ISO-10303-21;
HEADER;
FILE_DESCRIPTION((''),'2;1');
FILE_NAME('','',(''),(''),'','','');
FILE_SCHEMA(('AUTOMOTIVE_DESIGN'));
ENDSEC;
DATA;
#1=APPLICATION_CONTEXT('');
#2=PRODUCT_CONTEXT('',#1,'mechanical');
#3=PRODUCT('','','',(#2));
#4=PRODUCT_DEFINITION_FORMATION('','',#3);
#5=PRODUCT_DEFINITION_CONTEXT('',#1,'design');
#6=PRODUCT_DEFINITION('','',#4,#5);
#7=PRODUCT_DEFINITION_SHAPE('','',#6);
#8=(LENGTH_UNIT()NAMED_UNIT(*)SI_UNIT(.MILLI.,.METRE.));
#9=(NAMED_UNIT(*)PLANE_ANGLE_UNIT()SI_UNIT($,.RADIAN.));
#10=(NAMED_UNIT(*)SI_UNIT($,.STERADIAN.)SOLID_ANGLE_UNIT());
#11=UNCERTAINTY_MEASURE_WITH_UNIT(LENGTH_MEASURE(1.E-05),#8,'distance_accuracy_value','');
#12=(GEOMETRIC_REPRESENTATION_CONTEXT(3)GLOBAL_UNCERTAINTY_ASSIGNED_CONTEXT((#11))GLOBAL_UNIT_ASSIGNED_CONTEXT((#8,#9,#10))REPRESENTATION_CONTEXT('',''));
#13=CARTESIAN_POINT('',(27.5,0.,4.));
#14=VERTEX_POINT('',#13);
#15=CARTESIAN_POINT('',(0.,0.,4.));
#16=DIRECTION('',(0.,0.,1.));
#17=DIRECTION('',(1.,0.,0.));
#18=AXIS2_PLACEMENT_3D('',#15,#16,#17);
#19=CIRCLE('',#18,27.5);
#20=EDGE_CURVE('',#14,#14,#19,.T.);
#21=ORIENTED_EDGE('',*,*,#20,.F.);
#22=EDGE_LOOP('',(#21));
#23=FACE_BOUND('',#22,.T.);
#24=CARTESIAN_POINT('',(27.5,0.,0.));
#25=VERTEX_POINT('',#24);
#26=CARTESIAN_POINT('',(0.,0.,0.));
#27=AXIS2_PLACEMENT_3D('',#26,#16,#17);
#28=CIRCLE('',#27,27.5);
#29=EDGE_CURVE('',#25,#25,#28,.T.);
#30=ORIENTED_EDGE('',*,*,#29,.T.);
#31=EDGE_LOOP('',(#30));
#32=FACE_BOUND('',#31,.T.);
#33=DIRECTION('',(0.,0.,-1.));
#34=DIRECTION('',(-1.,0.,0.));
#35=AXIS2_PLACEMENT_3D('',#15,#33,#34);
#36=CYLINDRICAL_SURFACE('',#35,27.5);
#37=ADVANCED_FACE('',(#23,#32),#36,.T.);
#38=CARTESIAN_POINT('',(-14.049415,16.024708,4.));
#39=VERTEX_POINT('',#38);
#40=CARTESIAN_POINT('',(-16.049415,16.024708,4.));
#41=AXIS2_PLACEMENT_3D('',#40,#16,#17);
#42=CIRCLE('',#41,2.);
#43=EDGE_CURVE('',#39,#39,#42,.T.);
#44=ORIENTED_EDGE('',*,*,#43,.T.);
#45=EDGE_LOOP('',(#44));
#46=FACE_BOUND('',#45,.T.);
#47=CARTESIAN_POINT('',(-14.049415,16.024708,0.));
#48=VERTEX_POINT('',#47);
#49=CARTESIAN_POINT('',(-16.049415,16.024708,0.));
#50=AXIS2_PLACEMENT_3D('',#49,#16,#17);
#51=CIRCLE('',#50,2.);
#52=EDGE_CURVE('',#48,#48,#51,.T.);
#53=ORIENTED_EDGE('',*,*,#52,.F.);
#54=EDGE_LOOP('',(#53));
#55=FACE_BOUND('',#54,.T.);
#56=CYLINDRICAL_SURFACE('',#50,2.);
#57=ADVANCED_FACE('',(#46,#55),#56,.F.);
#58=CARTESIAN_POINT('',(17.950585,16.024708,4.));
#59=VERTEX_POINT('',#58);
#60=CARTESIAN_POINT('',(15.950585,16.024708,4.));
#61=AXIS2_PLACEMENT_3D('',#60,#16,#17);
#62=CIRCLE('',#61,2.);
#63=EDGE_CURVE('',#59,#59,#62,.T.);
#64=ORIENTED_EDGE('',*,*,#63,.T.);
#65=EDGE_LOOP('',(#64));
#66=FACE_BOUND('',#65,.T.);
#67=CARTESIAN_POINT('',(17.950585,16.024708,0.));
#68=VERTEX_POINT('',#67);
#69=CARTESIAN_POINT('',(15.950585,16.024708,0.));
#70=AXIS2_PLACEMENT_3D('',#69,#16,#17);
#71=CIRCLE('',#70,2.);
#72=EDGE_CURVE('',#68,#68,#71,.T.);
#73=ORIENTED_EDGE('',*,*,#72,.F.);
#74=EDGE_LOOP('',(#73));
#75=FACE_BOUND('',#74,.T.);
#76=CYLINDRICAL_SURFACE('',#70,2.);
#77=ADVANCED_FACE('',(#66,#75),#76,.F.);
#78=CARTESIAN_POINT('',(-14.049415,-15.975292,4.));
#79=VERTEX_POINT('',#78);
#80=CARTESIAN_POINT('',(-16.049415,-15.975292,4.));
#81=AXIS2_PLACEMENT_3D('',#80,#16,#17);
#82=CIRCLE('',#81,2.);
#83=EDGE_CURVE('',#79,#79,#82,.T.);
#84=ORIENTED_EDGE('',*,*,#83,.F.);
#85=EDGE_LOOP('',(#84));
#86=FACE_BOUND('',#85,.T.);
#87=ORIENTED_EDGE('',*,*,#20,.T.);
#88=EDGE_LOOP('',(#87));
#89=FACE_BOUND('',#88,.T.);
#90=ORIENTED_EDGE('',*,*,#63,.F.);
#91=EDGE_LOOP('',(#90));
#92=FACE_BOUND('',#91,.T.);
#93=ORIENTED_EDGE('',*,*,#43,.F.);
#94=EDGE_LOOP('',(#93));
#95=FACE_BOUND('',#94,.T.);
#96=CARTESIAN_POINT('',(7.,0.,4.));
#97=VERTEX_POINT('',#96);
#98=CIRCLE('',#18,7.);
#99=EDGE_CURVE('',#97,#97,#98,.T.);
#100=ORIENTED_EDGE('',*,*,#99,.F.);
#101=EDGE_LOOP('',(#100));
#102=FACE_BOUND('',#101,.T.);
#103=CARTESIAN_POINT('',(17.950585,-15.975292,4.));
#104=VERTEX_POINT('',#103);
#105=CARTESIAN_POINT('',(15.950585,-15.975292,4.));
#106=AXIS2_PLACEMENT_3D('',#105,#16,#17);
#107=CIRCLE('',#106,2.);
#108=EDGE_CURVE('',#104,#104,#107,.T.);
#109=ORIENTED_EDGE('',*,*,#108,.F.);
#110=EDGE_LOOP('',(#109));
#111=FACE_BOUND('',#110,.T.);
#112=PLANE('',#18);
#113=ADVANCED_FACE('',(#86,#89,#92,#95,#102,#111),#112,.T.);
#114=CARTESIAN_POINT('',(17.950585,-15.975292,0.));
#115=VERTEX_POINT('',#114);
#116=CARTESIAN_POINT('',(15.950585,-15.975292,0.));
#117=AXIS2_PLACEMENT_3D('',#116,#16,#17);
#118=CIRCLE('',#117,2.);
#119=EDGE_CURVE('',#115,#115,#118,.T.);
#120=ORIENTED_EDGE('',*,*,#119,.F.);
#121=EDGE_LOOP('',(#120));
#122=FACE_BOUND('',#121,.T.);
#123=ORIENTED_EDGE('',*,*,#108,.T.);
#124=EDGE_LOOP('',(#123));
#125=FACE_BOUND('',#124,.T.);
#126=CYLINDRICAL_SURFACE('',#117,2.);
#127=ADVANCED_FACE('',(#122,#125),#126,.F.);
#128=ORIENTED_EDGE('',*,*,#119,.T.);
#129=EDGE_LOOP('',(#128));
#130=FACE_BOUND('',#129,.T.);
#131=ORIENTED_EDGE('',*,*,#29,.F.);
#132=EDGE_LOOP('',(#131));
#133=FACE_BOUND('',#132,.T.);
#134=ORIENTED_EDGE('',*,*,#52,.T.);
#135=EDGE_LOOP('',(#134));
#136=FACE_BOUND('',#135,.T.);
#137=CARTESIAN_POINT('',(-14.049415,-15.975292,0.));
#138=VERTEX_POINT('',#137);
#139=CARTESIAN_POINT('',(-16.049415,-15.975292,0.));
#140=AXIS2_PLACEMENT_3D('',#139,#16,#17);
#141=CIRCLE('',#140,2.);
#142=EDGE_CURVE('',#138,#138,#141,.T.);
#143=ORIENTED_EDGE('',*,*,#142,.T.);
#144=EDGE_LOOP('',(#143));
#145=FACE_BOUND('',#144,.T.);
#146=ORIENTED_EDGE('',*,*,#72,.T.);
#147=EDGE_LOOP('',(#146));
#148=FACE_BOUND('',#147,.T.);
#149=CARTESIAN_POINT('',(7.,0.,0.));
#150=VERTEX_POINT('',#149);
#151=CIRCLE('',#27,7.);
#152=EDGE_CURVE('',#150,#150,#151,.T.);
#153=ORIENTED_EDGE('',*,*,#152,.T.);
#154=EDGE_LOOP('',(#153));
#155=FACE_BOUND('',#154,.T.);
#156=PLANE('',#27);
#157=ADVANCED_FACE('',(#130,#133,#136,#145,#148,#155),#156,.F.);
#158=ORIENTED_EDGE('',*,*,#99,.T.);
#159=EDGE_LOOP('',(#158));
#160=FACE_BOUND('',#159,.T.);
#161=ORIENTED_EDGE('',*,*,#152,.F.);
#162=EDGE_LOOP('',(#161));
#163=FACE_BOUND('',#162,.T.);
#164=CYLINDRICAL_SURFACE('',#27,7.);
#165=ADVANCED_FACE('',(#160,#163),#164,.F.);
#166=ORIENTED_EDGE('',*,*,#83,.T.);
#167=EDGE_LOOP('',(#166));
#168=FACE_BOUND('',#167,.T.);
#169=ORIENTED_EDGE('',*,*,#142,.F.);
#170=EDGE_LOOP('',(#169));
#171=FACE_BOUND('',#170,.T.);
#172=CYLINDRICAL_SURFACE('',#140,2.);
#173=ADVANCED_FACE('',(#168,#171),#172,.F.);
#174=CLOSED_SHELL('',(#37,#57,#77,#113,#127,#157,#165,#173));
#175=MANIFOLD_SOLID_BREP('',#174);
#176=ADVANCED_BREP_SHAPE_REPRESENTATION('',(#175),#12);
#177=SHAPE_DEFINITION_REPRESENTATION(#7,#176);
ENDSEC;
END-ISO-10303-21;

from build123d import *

# Parameters (mm, degrees)
SKETCH1_R           = 27.5
BOSS_EXTRUDE1_DEPTH = 4
CUT_EXTRUDE1_DEPTH  = 4
SKETCH3_R           = 7
CUT_EXTRUDE2_DEPTH  = 4


with BuildPart() as part:
    # Sketch1 → Boss-Extrude1 (new body)
    with BuildSketch(Plane.XY):
        Circle(SKETCH1_R)
    extrude(amount=BOSS_EXTRUDE1_DEPTH)

    # Sketch2 → Cut-Extrude1 (cut)
    with BuildSketch(Plane.XY.offset(4)):
        with BuildLine():
            ThreePointArc((-14.049415004, 16.024707502), (-16.049415004, 18.024707502), (-18.049415004, 16.024707502))
            ThreePointArc((-18.049415004, 16.024707502), (-16.049415004, 14.024707502), (-14.049415004, 16.024707502))
        make_face()
        with BuildLine():
            ThreePointArc((-14.049415004, -15.975292498), (-16.049415004, -13.975292498), (-18.049415004, -15.975292498))
            ThreePointArc((-18.049415004, -15.975292498), (-16.049415004, -17.975292498), (-14.049415004, -15.975292498))
        make_face()
        with BuildLine():
            ThreePointArc((13.950584996, -15.975292498), (15.950584996, -17.975292498), (17.950584996, -15.975292498))
            ThreePointArc((17.950584996, -15.975292498), (15.950584996, -13.975292498), (13.950584996, -15.975292498))
        make_face()
        with BuildLine():
            ThreePointArc((13.950584996, 16.024707502), (15.950584996, 14.024707502), (17.950584996, 16.024707502))
            ThreePointArc((17.950584996, 16.024707502), (15.950584996, 18.024707502), (13.950584996, 16.024707502))
        make_face()
    extrude(amount=-CUT_EXTRUDE1_DEPTH, mode=Mode.SUBTRACT)

    # Sketch3 → Cut-Extrude2 (cut)
    with BuildSketch(Plane.XY.offset(4)):
        Circle(SKETCH3_R)
    extrude(amount=-CUT_EXTRUDE2_DEPTH, mode=Mode.SUBTRACT)


solid = part.part
